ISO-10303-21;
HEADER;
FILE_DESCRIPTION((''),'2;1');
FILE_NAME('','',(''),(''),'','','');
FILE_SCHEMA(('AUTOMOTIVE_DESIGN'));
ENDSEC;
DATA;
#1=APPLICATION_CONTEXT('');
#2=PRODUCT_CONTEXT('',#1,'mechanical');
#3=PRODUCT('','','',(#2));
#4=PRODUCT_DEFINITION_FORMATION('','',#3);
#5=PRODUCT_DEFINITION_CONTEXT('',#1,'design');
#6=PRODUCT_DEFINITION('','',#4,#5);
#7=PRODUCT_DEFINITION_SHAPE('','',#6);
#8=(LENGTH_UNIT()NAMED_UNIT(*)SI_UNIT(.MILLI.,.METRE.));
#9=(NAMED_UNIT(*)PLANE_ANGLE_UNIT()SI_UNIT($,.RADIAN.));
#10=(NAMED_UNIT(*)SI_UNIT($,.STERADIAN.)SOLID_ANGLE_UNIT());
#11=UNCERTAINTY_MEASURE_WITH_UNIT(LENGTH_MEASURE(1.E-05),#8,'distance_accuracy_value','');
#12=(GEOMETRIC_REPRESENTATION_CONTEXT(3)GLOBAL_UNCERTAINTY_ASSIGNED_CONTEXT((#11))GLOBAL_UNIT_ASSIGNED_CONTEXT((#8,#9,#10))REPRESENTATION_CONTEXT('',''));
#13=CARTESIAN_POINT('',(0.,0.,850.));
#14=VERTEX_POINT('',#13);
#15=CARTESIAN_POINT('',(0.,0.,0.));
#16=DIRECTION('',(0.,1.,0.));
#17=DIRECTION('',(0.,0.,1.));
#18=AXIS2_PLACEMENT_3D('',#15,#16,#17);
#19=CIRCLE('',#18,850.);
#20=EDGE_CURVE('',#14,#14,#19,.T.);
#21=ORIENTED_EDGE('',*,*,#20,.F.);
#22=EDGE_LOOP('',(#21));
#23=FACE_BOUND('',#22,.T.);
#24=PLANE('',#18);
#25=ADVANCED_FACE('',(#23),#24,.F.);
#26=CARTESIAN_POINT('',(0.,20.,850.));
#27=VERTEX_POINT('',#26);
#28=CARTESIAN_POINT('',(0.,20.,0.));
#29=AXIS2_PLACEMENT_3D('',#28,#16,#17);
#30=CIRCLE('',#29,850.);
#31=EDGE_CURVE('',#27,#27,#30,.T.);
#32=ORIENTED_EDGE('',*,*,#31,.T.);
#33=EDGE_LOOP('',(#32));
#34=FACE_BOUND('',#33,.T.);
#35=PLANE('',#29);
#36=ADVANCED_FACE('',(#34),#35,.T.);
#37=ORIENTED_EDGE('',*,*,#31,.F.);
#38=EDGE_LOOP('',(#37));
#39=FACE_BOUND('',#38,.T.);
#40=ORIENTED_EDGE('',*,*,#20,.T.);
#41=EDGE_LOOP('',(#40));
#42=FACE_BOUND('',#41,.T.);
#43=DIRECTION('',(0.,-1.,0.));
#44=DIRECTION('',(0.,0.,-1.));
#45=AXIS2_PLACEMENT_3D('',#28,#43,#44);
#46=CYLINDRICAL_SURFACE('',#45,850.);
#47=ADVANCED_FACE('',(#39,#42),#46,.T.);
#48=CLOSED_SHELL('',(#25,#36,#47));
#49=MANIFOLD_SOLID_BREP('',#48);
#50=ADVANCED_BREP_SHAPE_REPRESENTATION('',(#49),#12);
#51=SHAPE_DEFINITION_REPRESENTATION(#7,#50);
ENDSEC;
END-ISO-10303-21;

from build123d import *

# Parameters (mm, degrees)
SKIZZE1_R                       = 850
AUFSATZ_LINEAR_AUSTRAGEN1_DEPTH = 20


with BuildPart() as part:
    # Skizze1 → Aufsatz-Linear austragen1 (new body)
    with BuildSketch(Plane(origin=(0, 0, 0), x_dir=(1, 0, 0), z_dir=(0, 1, 0))):
        with Locations(Location((0, 0, 0), (0, 0, 270))):  # turned: the seam where the file's is
            Circle(SKIZZE1_R)
    extrude(amount=AUFSATZ_LINEAR_AUSTRAGEN1_DEPTH)


solid = part.part
